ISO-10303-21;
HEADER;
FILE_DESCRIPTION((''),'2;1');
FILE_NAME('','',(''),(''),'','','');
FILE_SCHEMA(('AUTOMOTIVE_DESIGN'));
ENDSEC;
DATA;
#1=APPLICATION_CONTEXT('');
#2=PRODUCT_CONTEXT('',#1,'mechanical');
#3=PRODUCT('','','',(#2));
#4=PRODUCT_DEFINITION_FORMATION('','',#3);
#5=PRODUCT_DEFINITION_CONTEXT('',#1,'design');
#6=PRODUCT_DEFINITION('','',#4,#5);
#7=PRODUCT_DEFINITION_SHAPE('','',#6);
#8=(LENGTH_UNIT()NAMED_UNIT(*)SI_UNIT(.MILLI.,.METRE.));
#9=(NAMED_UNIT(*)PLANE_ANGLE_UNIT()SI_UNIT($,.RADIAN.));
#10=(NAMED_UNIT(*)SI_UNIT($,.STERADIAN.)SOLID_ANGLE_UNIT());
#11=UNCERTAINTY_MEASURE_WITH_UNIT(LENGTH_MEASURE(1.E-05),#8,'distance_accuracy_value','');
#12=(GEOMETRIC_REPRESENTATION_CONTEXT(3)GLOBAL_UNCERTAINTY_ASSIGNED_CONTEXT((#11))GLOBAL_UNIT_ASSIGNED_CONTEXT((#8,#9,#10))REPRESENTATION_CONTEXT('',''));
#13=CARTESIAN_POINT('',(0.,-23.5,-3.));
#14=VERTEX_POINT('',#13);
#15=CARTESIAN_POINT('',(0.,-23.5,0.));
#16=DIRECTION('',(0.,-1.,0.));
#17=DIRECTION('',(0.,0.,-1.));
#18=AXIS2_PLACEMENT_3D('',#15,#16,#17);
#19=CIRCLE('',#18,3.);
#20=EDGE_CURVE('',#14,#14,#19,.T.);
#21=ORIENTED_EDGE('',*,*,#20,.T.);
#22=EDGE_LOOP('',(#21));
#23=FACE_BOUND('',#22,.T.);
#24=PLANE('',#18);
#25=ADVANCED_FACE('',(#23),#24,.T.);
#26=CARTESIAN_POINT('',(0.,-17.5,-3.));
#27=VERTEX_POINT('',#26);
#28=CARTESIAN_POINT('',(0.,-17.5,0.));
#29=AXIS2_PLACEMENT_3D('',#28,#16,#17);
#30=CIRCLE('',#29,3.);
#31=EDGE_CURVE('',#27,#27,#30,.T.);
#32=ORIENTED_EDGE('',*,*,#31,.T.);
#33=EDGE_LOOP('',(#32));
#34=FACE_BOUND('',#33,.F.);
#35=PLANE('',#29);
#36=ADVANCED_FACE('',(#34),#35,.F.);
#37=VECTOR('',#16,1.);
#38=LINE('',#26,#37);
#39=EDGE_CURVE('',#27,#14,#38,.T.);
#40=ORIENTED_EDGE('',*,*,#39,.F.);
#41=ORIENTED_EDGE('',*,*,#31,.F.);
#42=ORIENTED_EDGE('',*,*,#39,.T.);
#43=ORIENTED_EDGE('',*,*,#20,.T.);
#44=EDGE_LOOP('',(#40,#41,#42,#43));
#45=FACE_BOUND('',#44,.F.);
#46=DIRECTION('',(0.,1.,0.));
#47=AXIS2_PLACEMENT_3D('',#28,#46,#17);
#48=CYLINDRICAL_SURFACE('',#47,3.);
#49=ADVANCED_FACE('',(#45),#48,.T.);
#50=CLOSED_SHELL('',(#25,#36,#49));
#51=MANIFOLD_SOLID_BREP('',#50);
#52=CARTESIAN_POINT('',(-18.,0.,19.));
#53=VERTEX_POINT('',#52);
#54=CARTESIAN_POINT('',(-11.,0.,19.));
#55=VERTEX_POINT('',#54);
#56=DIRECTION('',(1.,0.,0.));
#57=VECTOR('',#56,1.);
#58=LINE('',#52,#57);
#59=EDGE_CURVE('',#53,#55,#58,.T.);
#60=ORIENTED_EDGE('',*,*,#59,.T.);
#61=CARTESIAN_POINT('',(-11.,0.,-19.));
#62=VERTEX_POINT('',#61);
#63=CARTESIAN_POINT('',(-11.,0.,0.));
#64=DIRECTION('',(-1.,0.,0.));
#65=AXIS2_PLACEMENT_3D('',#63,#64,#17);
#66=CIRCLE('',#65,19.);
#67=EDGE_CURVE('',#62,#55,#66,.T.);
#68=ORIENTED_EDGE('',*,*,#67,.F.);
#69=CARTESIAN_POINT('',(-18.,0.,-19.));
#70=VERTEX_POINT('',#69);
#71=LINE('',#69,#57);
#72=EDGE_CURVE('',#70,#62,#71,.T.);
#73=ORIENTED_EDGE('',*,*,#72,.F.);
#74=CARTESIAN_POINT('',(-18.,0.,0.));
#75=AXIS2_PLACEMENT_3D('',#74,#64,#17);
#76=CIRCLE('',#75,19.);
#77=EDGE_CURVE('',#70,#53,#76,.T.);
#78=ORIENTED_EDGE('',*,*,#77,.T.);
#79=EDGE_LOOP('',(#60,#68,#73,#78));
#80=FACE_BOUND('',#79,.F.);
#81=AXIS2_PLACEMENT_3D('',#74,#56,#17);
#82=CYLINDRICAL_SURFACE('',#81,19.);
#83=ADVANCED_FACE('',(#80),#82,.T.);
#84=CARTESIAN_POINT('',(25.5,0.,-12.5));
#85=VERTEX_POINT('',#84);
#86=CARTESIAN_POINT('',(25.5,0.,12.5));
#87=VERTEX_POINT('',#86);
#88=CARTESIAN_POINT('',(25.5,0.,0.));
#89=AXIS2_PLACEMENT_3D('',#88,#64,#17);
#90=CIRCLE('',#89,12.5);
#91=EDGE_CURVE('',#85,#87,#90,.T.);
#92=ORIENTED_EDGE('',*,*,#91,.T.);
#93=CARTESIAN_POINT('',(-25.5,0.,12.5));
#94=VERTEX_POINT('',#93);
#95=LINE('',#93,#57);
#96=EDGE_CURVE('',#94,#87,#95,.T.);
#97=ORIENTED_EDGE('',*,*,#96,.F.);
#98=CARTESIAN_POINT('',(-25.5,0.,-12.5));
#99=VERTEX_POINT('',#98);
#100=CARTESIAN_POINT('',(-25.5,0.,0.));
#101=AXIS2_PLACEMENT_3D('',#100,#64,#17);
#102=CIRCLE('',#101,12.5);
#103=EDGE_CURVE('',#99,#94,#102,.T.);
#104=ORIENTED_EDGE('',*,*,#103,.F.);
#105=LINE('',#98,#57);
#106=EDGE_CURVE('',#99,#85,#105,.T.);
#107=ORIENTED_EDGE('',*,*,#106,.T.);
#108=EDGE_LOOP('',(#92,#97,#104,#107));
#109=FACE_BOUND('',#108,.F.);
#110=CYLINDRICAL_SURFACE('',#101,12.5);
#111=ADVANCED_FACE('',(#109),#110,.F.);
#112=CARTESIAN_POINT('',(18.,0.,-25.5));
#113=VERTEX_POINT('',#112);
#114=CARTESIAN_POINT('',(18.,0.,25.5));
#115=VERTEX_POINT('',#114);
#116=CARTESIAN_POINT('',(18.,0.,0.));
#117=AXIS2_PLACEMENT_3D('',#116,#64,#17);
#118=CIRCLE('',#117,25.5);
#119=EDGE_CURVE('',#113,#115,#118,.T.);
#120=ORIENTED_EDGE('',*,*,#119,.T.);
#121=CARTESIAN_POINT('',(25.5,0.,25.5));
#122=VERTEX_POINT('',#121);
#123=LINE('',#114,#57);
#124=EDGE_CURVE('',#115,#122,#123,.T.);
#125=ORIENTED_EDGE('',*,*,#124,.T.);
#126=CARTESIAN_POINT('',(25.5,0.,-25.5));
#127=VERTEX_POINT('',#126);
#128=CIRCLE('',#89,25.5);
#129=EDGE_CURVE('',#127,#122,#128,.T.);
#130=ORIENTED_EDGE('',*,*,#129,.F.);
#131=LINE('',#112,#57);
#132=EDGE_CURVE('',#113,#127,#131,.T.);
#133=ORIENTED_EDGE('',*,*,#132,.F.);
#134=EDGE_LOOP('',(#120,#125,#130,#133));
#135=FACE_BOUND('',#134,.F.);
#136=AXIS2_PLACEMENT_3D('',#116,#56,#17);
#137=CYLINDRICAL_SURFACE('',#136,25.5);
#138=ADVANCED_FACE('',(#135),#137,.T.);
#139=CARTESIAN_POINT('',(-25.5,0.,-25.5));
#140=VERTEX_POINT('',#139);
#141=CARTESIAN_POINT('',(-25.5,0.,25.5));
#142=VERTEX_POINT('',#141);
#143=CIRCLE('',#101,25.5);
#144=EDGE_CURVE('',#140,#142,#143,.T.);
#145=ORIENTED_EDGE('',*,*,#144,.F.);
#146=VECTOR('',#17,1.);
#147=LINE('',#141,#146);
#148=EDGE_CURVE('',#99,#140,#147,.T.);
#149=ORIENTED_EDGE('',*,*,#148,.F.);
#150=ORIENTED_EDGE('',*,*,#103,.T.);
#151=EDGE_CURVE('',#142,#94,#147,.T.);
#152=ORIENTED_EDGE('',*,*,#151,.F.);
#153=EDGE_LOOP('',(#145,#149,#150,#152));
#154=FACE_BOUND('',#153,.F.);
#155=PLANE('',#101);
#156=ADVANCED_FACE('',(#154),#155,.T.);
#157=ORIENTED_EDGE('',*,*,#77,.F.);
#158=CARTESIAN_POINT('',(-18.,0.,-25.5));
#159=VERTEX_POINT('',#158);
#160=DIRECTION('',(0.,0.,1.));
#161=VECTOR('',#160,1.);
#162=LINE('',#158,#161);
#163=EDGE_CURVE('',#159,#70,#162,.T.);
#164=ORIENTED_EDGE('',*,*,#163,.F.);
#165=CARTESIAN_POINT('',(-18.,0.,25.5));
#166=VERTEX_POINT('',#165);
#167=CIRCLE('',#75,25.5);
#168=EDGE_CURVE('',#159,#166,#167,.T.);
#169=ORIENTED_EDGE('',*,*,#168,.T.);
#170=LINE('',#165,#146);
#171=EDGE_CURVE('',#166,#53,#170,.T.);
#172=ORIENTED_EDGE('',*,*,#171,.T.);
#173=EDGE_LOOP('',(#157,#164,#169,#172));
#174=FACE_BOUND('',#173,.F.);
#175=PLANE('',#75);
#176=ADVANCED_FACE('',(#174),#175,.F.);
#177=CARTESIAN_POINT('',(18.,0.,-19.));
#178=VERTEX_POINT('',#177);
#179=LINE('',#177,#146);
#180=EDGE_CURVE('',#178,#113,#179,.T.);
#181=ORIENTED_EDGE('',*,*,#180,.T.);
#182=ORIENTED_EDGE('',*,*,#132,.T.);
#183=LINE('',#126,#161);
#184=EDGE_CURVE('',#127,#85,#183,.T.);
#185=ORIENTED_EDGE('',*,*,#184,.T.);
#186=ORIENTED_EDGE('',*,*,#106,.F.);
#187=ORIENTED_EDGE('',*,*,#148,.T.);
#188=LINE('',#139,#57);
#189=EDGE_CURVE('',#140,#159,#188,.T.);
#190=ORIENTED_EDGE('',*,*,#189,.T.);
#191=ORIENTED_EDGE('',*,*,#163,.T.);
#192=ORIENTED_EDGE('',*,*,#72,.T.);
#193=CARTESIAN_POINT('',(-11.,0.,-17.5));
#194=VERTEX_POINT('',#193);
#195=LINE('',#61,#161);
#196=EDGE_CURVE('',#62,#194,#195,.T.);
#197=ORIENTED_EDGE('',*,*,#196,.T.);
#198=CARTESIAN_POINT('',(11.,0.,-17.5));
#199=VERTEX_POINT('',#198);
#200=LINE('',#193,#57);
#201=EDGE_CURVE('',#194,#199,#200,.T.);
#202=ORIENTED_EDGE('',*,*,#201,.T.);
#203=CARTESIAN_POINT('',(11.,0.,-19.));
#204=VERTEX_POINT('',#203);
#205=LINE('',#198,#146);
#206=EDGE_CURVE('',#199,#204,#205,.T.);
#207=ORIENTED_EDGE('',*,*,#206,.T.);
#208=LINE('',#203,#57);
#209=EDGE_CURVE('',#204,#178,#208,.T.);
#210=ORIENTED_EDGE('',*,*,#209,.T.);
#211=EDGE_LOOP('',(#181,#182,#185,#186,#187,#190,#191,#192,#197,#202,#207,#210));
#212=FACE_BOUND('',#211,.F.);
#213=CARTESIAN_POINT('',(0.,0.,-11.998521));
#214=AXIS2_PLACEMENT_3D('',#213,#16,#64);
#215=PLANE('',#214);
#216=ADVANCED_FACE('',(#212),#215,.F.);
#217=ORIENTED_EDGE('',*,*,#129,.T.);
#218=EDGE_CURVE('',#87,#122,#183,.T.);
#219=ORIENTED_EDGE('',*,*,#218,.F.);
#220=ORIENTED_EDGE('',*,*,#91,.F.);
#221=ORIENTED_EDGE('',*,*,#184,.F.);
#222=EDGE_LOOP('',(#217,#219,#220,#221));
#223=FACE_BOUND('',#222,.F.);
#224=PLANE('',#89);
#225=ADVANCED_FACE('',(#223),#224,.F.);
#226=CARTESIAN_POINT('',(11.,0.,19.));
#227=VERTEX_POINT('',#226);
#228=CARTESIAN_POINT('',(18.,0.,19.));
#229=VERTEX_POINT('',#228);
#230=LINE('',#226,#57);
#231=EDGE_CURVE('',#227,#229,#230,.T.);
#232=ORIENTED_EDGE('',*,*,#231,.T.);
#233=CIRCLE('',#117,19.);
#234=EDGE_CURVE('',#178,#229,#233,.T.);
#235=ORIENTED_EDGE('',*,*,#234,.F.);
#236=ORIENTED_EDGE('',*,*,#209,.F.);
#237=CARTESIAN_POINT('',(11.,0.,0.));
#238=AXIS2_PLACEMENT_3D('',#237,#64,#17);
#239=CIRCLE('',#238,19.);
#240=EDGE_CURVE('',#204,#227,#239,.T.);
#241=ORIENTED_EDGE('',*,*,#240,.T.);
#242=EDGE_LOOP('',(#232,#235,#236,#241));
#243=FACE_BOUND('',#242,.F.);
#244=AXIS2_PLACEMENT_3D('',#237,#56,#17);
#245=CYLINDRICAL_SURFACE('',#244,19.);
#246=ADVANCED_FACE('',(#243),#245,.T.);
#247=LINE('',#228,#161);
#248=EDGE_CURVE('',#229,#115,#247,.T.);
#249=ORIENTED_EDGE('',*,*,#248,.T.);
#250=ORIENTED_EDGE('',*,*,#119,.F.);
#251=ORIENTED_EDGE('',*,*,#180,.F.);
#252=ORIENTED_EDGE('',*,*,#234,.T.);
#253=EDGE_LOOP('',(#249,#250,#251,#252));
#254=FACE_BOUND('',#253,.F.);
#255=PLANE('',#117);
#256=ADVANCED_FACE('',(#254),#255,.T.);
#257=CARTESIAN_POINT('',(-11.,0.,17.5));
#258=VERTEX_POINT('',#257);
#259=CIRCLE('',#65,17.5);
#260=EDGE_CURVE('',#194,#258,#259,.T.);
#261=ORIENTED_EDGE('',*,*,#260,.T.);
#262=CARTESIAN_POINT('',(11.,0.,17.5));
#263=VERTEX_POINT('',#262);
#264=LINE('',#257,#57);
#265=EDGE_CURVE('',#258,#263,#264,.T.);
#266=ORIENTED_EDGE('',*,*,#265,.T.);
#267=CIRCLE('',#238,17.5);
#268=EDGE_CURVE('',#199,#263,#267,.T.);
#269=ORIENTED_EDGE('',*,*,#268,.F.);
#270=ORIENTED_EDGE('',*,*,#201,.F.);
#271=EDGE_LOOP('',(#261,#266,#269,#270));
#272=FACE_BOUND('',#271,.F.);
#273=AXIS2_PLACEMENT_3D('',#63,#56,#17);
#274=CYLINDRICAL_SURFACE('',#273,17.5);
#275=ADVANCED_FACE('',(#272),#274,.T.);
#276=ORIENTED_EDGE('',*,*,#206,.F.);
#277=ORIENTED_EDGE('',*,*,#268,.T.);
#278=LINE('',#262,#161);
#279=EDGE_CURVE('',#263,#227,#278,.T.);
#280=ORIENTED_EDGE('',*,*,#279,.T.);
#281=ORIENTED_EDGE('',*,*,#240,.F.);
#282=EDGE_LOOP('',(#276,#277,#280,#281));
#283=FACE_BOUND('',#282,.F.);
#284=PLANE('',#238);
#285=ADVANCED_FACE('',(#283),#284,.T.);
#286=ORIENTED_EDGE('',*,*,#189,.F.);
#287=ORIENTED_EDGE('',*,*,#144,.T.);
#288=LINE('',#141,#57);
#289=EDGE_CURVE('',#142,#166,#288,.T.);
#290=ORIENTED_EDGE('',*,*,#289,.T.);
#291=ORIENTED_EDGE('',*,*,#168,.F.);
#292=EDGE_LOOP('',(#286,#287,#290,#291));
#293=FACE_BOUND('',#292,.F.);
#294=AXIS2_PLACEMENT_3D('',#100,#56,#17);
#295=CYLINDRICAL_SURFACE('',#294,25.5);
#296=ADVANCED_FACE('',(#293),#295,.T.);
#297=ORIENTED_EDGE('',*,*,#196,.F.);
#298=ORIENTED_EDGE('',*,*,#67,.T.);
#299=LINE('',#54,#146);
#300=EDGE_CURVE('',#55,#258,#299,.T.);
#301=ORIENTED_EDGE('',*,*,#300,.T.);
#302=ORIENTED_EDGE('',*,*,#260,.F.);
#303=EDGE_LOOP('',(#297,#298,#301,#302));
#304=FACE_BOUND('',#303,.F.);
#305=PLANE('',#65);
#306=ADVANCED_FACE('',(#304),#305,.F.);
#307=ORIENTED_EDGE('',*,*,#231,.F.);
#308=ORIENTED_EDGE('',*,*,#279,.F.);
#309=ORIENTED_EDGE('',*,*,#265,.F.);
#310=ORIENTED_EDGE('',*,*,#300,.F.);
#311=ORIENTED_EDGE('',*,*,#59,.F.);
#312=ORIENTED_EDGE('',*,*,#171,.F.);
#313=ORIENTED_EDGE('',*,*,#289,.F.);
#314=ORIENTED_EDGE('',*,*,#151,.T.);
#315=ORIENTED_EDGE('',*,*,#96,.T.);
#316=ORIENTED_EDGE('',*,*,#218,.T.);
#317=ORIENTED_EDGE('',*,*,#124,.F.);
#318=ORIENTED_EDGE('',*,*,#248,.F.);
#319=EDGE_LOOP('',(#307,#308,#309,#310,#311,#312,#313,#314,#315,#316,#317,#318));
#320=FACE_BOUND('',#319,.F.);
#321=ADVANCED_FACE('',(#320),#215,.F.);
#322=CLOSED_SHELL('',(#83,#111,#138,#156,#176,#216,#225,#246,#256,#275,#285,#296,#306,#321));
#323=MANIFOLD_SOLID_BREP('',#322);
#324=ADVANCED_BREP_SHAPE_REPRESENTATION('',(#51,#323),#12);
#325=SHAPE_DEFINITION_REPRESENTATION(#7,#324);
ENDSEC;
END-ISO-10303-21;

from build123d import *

# Parameters (mm, degrees)
REVOLVE3_ANGLE      = 180
CUT_EXTRUDE1_DEPTH  = 52
SKETCH11_R          = 3
BOSS_EXTRUDE2_DEPTH = 6


with BuildPart() as part:
    # Sketch2 → Revolve3 (revolve)
    with BuildSketch(Plane(origin=(0, 0, 0), x_dir=(1, 0, 0), z_dir=(0, 1, 0))):
        Polygon((25.5, 0), (-25.5, 0), (-25.5, 25.5), (-18, 25.5), (-18, 19), (-11, 19), (-11, 17.5), (11, 17.5), (11, 19), (18, 19), (18, 25.5), (25.5, 25.5), align=None)
    revolve(axis=Axis((25.5, 0, 0), (-1, 0, 0)), revolution_arc=REVOLVE3_ANGLE)

    # Sketch3 → Cut-Extrude1 (cut, through all)
    with BuildSketch(Plane.ZY.offset(25.5)):
        with BuildLine():
            Line((12.5, 0), (-12.5, 0))
            ThreePointArc((-12.5, 0), (0, -12.5), (12.5, 0))
        make_face()
    extrude(amount=-CUT_EXTRUDE1_DEPTH, mode=Mode.SUBTRACT)


with BuildPart() as body_2:
    # Sketch11 → Boss-Extrude2 (new body)
    with BuildSketch(Plane(origin=(0, -17.5, 0), x_dir=(-1, 0, 0), z_dir=(0, -1, 0))):
        with Locations(Location((0, 0, 0), (0, 0, 90))):  # turned: the seam where the file's is
            Circle(SKETCH11_R)
    extrude(amount=BOSS_EXTRUDE2_DEPTH)


solid = Compound([part.part, body_2.part])
